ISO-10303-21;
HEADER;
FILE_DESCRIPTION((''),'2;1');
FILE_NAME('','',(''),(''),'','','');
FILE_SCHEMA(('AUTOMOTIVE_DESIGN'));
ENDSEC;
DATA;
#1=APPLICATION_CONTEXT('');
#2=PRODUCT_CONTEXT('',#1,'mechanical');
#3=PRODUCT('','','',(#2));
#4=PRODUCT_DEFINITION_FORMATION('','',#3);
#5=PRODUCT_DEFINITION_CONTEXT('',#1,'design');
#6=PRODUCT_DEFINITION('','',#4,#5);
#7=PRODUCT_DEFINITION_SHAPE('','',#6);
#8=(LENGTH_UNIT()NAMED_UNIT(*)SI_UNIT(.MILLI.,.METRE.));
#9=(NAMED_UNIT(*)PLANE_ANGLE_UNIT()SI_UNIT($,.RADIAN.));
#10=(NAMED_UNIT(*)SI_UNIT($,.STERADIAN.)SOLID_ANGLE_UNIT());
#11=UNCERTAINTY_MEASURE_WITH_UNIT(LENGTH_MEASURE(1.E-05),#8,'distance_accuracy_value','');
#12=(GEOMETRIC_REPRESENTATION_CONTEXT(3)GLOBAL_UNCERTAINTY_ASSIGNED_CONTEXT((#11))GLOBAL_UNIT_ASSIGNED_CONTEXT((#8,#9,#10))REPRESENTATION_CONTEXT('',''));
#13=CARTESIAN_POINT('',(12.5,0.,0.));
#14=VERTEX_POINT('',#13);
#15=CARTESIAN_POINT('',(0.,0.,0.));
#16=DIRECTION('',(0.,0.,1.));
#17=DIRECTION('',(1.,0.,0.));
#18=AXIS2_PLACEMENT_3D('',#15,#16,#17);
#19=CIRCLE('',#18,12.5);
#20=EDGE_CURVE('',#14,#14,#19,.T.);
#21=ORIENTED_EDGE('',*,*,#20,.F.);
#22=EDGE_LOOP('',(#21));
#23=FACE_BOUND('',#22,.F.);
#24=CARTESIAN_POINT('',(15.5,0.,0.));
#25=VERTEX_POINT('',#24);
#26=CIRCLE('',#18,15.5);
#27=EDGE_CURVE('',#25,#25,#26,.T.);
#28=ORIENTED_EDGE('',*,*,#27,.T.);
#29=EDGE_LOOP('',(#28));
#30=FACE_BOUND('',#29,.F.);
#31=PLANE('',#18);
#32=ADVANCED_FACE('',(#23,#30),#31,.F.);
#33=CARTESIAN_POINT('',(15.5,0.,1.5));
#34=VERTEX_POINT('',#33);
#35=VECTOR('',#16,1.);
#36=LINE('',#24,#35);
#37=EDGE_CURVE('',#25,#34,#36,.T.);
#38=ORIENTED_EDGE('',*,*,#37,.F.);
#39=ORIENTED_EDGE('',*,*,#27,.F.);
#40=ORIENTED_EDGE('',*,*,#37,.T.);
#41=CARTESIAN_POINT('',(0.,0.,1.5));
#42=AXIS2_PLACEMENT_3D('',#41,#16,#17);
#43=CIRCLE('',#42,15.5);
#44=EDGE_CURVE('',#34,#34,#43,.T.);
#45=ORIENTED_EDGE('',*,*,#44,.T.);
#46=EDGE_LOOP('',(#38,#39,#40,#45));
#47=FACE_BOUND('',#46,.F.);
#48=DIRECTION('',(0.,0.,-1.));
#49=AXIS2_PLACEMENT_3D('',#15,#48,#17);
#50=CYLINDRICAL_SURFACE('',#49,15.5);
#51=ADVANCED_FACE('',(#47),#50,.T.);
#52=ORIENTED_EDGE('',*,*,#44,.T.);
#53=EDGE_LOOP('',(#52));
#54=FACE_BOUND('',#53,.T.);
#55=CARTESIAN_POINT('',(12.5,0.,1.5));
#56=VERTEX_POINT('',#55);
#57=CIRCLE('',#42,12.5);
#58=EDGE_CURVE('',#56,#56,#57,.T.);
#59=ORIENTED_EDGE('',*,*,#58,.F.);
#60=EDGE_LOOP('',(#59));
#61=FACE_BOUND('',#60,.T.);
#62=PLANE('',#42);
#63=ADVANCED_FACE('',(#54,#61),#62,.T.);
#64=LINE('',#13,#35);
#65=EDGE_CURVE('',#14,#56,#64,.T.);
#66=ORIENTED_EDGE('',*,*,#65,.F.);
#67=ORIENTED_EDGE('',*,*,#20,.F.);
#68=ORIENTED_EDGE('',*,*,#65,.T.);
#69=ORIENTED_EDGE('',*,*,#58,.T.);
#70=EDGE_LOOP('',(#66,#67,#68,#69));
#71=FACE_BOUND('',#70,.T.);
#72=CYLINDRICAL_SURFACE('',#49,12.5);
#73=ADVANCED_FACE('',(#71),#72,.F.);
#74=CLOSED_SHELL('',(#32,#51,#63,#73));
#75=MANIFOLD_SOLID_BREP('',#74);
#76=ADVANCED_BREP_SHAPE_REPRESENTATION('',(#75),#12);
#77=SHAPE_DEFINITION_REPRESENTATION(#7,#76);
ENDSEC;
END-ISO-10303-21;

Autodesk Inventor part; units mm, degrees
ref_plane "YZ Plane" through (0, 0, 0) normal (1, 0, 0) x (0, 1, 0)
ref_plane "XZ Plane" through (0, 0, 0) normal (0, 1, 0) x (-1, 0, 0)
ref_plane "XY Plane" through (0, 0, 0) normal (0, 0, 1) x (1, 0, 0)
sketch "スケッチ1" plane through (0, 0, 0) normal (0, 0, 1) x (1, 0, 0)
  circle A0 centre (0, 0) radius 12.5
  circle A1 centre (0, 0) radius 15.5
  dimension "d0" = 25
  dimension "d1" = 3
extrude "押し出し1" add sketch "スケッチ1" along normal blind 1.5
properties part number "ワッシャー2531,1.5t" material "アセタール樹脂、白"
